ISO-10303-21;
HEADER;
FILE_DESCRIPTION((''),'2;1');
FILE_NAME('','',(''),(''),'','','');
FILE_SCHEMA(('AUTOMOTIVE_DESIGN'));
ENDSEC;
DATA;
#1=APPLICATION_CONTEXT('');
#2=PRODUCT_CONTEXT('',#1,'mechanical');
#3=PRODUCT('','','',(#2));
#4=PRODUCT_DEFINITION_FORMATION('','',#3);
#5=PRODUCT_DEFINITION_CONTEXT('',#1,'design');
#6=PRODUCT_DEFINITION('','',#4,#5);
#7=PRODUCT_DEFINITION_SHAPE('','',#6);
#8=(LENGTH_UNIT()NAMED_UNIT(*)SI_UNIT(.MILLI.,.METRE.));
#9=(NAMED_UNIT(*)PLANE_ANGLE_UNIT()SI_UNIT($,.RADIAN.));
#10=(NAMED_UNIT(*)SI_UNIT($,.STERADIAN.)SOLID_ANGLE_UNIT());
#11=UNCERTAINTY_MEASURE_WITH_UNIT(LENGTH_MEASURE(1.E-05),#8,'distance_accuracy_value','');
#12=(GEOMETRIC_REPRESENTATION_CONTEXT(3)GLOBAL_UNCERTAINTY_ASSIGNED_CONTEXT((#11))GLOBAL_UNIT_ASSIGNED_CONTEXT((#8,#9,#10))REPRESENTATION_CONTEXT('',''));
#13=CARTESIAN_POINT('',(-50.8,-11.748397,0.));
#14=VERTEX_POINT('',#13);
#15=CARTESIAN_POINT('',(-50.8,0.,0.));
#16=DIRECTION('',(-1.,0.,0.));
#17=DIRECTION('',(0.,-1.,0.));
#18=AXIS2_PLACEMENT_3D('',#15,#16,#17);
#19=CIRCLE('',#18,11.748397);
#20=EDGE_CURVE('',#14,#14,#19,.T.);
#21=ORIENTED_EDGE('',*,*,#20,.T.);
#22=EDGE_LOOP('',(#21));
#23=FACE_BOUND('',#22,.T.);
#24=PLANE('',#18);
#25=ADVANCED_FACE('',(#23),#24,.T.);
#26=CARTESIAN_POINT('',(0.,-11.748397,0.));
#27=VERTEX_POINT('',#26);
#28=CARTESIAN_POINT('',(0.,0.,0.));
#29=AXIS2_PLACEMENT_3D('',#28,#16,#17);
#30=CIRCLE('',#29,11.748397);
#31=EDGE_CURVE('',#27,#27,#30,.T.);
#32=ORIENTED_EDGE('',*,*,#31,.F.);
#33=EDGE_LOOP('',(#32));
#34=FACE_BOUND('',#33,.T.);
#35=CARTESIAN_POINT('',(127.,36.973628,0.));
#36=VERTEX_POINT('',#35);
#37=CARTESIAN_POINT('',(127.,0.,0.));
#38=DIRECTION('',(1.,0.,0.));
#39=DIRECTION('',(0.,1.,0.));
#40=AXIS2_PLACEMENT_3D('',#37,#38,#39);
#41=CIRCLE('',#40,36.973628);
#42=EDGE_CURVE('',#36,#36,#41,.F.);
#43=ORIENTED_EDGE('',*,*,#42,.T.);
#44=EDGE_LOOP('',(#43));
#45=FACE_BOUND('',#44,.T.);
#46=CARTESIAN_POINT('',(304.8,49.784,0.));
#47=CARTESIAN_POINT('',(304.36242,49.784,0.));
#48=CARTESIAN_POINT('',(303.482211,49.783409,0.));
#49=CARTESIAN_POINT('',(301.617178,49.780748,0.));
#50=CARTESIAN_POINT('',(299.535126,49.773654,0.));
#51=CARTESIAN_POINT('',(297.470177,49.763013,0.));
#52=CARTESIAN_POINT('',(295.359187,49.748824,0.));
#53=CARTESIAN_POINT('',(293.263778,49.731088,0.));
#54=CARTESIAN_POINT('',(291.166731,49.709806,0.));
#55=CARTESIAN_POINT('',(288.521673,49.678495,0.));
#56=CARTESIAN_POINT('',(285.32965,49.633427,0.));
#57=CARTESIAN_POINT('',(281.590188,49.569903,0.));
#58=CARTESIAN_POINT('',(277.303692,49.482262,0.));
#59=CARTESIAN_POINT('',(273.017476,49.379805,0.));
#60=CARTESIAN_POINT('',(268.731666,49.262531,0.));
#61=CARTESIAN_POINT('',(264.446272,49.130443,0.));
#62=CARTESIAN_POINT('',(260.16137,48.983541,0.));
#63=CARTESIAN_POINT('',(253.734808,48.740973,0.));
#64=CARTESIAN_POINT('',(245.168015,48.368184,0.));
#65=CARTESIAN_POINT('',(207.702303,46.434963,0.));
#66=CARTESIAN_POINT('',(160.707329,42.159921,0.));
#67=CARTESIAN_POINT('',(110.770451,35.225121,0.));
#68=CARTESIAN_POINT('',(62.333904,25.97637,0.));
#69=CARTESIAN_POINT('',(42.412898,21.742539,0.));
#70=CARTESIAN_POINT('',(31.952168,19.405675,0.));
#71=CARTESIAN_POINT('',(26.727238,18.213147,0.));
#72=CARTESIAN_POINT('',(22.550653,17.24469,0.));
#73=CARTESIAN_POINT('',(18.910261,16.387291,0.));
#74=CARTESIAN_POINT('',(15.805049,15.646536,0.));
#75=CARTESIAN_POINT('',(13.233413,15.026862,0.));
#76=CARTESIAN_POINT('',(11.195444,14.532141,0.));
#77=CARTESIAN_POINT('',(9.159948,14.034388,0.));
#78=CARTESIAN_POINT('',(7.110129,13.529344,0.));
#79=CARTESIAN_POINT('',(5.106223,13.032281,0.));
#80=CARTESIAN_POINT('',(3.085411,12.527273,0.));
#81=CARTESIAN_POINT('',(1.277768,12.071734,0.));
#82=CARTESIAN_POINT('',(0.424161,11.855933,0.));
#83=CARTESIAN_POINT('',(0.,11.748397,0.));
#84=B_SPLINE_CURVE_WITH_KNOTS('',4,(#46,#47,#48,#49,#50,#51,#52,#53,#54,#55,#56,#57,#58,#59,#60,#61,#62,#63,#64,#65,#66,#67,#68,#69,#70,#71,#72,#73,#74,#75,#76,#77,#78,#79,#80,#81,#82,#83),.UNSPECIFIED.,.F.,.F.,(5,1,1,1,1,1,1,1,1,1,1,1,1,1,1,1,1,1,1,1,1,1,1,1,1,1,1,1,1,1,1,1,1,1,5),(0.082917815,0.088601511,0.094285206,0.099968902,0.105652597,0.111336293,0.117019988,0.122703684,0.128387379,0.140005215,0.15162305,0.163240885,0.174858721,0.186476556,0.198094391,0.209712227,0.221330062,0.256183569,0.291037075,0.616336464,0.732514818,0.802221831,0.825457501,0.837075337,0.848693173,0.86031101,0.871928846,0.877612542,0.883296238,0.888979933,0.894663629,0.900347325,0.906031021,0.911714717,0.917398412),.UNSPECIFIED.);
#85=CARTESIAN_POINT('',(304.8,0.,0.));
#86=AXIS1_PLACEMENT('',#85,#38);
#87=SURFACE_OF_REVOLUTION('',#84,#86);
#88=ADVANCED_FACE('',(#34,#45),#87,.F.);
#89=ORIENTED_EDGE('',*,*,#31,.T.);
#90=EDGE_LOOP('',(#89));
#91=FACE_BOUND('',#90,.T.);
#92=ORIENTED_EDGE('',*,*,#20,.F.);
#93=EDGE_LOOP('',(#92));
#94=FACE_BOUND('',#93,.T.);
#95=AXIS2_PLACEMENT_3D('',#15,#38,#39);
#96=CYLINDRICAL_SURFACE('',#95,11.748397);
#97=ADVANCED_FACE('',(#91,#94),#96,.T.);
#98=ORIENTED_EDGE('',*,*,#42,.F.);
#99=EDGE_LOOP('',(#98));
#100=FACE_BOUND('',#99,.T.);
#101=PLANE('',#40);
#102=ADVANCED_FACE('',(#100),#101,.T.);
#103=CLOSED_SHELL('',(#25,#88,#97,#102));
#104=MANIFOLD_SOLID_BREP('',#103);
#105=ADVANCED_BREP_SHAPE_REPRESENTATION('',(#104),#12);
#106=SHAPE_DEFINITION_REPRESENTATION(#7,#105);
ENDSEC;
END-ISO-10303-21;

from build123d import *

# Parameters (mm, degrees)
SKETCH2_R           = 49.784
BOSS_EXTRUDE1_DEPTH = 203.2
SKETCH3_R           = 11.74839717
BOSS_EXTRUDE2_DEPTH = 50.8
SKETCH4_R           = 54.60446946
CUT_EXTRUDE1_DEPTH  = 382


with BuildPart() as part:
    # Sketch1 → Revolve1 (revolve)
    with BuildSketch(Plane.XY):
        with BuildLine():
            Line((304.8, 49.784), (304.8, 0))
            Line((304.8, 0), (0, 0))
            Line((0, 0), (0, 11.748397173))
            add(Edge.make_bspline(
                [(0, 11.748397173), (0.424160675, 11.855932678), (1.277768006, 12.07173392), (3.085410505, 12.527272667), (5.106222596, 13.032281093), (7.110128552, 13.529344024), (9.159948224, 14.034387922), (11.195444228, 14.532141119), (13.233412884, 15.026861964), (15.805049223, 15.64653599), (18.91026091, 16.387291474), (22.550652523, 17.244690048), (26.727238439, 18.213147263), (31.952168035, 19.405675489), (42.412897925, 21.742539102), (62.333903875, 25.976370199), (110.770450737, 35.225121195), (160.70732909, 42.159920913), (207.702302928, 46.434962608), (245.168015054, 48.368183749), (253.734807707, 48.740972714), (260.161369668, 48.98354131), (264.446272339, 49.130442523), (268.731666265, 49.262530797), (273.017475857, 49.379804553), (277.303691578, 49.48226239), (281.590188304, 49.569903083), (285.329649653, 49.633426545), (288.521672796, 49.67849525), (291.166731437, 49.70980578), (293.263778354, 49.731088433), (295.359186858, 49.74882407), (297.470177021, 49.76301264), (299.535126271, 49.773654103), (301.617177871, 49.780748429), (303.482211221, 49.783408805), (304.362420109, 49.784), (304.8, 49.784)],
                knots=[0.082917815, 0.082917815, 0.082917815, 0.082917815, 0.082917815, 0.088601511, 0.094285207, 0.099968902, 0.105652598, 0.111336294, 0.11701999, 0.122703686, 0.128387381, 0.140005218, 0.151623054, 0.16324089, 0.174858727, 0.198094396, 0.267801409, 0.383979763, 0.709279153, 0.744132659, 0.778986165, 0.790604, 0.802221836, 0.813839671, 0.825457507, 0.837075342, 0.848693177, 0.860311013, 0.871928848, 0.877612544, 0.883296239, 0.888979935, 0.89466363, 0.900347326, 0.906031021, 0.911714717, 0.917398412, 0.917398412, 0.917398412, 0.917398412, 0.917398412], degree=4))
        make_face()
    revolve(axis=Axis((304.8, 0, 0), (-1, 0, 0)))

    # Sketch2 → Boss-Extrude1 (add)
    with BuildSketch(Plane(origin=(304.8, 0, 0), x_dir=(0, 0, -1), z_dir=(1, 0, 0))):
        Circle(SKETCH2_R)
    extrude(amount=BOSS_EXTRUDE1_DEPTH)

    # Sketch3 → Boss-Extrude2 (add)
    with BuildSketch(Plane.ZY):
        Circle(SKETCH3_R)
    extrude(amount=BOSS_EXTRUDE2_DEPTH)

    # Sketch4 → Cut-Extrude1 (cut, through all)
    with BuildSketch(Plane(origin=(127, 0, 0), x_dir=(0, 0, -1), z_dir=(1, 0, 0))):
        Circle(SKETCH4_R)
    extrude(amount=CUT_EXTRUDE1_DEPTH, mode=Mode.SUBTRACT)


solid = part.part
